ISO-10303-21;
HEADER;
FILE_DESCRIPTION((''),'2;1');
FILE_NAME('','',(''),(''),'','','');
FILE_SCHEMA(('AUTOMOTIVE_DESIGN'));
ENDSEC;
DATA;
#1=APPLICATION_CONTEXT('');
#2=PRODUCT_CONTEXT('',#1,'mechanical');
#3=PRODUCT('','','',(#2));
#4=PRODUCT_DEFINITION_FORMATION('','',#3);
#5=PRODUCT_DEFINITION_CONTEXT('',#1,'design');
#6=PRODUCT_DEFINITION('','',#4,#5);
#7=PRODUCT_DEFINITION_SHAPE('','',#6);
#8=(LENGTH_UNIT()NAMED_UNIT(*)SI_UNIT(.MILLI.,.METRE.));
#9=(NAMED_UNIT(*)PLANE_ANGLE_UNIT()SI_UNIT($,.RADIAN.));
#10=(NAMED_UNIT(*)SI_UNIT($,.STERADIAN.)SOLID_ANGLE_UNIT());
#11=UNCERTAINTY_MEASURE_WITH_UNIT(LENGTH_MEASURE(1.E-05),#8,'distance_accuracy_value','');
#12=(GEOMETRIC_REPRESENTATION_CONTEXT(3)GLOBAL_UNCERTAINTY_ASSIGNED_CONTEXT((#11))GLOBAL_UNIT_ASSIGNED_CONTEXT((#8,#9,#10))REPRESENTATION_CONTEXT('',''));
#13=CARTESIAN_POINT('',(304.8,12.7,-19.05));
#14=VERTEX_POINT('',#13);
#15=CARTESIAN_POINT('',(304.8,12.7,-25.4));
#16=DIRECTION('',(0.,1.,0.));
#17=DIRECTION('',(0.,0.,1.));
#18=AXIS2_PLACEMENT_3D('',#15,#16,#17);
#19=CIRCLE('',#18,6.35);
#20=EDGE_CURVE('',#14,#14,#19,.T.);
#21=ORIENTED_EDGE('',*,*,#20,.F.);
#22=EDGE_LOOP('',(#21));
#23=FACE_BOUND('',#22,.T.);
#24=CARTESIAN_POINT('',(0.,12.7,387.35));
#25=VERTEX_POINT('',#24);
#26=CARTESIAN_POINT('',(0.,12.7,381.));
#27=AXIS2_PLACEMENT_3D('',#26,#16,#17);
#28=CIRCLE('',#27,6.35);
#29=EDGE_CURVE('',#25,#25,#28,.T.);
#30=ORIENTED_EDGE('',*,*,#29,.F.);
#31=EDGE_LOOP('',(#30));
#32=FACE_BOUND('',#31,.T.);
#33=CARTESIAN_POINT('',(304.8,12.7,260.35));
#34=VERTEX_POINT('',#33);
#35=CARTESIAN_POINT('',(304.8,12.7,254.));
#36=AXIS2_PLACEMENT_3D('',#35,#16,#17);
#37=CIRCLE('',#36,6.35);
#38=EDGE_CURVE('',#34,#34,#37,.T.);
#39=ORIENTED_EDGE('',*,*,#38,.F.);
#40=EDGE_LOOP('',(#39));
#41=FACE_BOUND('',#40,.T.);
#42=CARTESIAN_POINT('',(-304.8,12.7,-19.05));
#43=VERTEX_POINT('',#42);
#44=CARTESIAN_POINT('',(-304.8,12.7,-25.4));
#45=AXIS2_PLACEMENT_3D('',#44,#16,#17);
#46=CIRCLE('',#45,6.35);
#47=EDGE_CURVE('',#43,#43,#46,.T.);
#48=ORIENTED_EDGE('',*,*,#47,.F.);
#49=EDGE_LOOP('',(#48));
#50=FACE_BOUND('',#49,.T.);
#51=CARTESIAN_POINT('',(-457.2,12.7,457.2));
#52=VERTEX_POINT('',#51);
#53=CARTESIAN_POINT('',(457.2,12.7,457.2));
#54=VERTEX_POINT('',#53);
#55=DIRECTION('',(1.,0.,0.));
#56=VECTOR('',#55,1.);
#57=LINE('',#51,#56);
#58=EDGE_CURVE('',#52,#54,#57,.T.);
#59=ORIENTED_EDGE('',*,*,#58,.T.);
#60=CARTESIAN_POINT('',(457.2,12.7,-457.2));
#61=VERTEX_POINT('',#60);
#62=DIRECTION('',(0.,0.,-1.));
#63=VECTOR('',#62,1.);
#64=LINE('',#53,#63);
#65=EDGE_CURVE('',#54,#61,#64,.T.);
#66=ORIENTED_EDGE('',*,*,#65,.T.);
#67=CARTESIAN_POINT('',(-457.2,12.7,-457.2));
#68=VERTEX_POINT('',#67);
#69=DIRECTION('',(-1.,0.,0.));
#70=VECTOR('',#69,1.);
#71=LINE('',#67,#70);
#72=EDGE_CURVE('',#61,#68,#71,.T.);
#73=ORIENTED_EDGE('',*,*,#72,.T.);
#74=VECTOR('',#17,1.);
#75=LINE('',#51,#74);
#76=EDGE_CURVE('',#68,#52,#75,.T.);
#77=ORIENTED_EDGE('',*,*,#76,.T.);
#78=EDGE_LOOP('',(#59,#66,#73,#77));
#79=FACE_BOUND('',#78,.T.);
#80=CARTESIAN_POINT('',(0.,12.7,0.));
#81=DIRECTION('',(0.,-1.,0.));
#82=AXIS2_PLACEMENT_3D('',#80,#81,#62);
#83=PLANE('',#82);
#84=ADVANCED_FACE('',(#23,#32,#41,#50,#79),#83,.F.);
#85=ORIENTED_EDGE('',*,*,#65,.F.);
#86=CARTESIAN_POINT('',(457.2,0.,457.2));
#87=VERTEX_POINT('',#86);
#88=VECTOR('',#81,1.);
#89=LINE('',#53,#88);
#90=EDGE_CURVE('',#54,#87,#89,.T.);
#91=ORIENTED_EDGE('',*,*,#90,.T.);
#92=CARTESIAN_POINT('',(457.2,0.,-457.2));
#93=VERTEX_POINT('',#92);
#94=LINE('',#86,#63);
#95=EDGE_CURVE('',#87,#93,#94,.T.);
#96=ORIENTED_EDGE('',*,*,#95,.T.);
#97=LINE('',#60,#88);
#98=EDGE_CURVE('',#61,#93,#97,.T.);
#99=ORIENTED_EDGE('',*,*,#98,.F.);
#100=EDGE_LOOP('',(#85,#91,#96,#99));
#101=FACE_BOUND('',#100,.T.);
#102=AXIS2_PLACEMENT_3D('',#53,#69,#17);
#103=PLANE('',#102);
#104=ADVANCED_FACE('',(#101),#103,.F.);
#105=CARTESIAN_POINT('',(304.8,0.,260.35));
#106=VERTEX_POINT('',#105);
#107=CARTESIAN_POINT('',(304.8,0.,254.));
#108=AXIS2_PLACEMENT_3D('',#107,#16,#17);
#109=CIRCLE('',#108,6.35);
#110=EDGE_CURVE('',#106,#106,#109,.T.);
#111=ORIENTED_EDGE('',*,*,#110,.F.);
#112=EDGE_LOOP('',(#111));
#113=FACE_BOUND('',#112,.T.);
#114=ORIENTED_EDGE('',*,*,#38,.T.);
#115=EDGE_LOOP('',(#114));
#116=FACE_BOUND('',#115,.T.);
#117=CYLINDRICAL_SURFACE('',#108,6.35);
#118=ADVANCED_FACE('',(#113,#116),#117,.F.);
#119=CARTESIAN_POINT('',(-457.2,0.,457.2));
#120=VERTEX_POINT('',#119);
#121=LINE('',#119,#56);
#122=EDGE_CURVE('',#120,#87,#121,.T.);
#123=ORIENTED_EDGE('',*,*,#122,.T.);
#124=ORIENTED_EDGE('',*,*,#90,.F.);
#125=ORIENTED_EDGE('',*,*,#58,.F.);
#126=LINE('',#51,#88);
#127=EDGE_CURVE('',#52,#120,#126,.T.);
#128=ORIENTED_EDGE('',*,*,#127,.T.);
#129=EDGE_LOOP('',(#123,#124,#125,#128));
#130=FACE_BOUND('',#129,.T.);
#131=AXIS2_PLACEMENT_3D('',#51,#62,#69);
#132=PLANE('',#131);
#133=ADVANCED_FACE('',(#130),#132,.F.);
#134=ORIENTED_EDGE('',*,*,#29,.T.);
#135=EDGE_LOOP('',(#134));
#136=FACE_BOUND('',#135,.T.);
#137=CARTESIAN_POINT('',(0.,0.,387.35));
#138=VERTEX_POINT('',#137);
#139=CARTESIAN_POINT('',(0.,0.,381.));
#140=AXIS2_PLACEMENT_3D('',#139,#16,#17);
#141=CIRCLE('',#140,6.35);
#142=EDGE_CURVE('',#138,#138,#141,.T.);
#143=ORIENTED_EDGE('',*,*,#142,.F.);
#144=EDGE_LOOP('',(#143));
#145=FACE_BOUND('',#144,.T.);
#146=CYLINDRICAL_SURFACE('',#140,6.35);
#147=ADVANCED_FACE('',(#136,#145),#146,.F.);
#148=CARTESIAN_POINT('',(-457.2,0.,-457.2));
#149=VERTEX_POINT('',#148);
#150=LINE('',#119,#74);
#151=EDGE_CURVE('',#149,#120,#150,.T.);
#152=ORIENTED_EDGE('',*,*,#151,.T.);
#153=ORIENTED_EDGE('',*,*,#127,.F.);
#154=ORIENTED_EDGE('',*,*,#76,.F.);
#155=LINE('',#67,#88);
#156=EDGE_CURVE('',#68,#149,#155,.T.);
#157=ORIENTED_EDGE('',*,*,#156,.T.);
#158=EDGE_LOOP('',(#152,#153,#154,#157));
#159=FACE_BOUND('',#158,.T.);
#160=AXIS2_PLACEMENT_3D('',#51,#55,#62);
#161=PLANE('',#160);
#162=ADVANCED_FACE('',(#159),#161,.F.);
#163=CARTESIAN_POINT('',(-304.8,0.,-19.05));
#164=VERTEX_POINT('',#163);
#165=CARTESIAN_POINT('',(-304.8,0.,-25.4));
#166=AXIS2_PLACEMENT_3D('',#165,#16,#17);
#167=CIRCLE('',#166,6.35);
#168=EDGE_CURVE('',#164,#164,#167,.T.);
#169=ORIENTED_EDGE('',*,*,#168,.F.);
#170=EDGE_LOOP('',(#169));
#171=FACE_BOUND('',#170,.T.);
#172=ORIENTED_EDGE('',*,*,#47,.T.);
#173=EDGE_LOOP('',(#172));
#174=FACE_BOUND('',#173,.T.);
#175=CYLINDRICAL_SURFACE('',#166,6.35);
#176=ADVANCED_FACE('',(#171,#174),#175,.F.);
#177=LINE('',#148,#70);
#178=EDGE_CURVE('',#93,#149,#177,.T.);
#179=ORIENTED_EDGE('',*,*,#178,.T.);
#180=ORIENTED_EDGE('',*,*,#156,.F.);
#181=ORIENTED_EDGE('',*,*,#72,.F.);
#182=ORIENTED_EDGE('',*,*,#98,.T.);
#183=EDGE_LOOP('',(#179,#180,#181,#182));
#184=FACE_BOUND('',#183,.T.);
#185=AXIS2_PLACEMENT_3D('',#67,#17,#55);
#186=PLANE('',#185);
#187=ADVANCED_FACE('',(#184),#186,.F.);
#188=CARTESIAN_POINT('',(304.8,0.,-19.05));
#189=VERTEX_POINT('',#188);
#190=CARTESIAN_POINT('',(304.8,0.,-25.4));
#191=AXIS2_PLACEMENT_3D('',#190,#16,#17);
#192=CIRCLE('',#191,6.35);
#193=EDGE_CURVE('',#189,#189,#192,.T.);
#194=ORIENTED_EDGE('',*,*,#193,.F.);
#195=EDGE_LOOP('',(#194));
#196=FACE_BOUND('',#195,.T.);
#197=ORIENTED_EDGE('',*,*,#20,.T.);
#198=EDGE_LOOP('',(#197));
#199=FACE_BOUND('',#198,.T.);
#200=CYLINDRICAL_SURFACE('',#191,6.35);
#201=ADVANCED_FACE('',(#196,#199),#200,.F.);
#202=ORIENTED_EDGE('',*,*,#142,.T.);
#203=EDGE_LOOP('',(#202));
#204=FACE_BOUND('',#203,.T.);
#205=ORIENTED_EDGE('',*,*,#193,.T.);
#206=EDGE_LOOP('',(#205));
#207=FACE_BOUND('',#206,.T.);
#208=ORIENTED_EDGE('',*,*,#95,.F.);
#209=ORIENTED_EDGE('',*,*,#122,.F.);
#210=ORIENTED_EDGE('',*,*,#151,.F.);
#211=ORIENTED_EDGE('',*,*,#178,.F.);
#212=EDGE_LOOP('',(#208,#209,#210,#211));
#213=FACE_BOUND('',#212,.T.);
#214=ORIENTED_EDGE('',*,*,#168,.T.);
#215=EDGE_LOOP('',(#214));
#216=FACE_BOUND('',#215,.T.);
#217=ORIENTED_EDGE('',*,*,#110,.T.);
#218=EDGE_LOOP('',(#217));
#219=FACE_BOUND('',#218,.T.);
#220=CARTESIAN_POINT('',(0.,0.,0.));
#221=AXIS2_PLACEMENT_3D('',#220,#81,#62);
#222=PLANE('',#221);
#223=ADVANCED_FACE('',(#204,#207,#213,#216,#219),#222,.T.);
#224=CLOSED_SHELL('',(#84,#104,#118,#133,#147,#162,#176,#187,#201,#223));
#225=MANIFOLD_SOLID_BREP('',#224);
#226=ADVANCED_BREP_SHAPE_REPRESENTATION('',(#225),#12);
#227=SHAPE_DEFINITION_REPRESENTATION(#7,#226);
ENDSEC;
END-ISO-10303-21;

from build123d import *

# Parameters (mm, degrees)
SKETCH1_W          = 914.4
SKETCH1_H          = 914.4
BASE_PLATE_DEPTH   = 12.7
SKETCH2_R          = 6.35
CENTER_HOLES_DEPTH = 647.703154469


with BuildPart() as part:
    # Sketch1 → Base_Plate (new body)
    with BuildSketch(Plane(origin=(0, 0, 0), x_dir=(1, 0, 0), z_dir=(0, 1, 0))):
        Rectangle(SKETCH1_W, SKETCH1_H)
    extrude(amount=BASE_PLATE_DEPTH)

    # Sketch2 → Center_Holes (cut, through all)
    with BuildSketch(Plane(origin=(0, 12.7, 0), x_dir=(1, 0, 0), z_dir=(0, 1, 0))):
        with Locations(Location((0, -381, 0), (0, 0, 270))):
            Circle(SKETCH2_R)
        with Locations(Location((304.8, -254, 0), (0, 0, 270))):
            Circle(SKETCH2_R)
        with Locations(Location((304.8, 25.4, 0), (0, 0, 270))):
            Circle(SKETCH2_R)
        with Locations(Location((-304.8, 25.4, 0), (0, 0, 270))):
            Circle(SKETCH2_R)
    extrude(amount=-CENTER_HOLES_DEPTH, mode=Mode.SUBTRACT)


solid = part.part
